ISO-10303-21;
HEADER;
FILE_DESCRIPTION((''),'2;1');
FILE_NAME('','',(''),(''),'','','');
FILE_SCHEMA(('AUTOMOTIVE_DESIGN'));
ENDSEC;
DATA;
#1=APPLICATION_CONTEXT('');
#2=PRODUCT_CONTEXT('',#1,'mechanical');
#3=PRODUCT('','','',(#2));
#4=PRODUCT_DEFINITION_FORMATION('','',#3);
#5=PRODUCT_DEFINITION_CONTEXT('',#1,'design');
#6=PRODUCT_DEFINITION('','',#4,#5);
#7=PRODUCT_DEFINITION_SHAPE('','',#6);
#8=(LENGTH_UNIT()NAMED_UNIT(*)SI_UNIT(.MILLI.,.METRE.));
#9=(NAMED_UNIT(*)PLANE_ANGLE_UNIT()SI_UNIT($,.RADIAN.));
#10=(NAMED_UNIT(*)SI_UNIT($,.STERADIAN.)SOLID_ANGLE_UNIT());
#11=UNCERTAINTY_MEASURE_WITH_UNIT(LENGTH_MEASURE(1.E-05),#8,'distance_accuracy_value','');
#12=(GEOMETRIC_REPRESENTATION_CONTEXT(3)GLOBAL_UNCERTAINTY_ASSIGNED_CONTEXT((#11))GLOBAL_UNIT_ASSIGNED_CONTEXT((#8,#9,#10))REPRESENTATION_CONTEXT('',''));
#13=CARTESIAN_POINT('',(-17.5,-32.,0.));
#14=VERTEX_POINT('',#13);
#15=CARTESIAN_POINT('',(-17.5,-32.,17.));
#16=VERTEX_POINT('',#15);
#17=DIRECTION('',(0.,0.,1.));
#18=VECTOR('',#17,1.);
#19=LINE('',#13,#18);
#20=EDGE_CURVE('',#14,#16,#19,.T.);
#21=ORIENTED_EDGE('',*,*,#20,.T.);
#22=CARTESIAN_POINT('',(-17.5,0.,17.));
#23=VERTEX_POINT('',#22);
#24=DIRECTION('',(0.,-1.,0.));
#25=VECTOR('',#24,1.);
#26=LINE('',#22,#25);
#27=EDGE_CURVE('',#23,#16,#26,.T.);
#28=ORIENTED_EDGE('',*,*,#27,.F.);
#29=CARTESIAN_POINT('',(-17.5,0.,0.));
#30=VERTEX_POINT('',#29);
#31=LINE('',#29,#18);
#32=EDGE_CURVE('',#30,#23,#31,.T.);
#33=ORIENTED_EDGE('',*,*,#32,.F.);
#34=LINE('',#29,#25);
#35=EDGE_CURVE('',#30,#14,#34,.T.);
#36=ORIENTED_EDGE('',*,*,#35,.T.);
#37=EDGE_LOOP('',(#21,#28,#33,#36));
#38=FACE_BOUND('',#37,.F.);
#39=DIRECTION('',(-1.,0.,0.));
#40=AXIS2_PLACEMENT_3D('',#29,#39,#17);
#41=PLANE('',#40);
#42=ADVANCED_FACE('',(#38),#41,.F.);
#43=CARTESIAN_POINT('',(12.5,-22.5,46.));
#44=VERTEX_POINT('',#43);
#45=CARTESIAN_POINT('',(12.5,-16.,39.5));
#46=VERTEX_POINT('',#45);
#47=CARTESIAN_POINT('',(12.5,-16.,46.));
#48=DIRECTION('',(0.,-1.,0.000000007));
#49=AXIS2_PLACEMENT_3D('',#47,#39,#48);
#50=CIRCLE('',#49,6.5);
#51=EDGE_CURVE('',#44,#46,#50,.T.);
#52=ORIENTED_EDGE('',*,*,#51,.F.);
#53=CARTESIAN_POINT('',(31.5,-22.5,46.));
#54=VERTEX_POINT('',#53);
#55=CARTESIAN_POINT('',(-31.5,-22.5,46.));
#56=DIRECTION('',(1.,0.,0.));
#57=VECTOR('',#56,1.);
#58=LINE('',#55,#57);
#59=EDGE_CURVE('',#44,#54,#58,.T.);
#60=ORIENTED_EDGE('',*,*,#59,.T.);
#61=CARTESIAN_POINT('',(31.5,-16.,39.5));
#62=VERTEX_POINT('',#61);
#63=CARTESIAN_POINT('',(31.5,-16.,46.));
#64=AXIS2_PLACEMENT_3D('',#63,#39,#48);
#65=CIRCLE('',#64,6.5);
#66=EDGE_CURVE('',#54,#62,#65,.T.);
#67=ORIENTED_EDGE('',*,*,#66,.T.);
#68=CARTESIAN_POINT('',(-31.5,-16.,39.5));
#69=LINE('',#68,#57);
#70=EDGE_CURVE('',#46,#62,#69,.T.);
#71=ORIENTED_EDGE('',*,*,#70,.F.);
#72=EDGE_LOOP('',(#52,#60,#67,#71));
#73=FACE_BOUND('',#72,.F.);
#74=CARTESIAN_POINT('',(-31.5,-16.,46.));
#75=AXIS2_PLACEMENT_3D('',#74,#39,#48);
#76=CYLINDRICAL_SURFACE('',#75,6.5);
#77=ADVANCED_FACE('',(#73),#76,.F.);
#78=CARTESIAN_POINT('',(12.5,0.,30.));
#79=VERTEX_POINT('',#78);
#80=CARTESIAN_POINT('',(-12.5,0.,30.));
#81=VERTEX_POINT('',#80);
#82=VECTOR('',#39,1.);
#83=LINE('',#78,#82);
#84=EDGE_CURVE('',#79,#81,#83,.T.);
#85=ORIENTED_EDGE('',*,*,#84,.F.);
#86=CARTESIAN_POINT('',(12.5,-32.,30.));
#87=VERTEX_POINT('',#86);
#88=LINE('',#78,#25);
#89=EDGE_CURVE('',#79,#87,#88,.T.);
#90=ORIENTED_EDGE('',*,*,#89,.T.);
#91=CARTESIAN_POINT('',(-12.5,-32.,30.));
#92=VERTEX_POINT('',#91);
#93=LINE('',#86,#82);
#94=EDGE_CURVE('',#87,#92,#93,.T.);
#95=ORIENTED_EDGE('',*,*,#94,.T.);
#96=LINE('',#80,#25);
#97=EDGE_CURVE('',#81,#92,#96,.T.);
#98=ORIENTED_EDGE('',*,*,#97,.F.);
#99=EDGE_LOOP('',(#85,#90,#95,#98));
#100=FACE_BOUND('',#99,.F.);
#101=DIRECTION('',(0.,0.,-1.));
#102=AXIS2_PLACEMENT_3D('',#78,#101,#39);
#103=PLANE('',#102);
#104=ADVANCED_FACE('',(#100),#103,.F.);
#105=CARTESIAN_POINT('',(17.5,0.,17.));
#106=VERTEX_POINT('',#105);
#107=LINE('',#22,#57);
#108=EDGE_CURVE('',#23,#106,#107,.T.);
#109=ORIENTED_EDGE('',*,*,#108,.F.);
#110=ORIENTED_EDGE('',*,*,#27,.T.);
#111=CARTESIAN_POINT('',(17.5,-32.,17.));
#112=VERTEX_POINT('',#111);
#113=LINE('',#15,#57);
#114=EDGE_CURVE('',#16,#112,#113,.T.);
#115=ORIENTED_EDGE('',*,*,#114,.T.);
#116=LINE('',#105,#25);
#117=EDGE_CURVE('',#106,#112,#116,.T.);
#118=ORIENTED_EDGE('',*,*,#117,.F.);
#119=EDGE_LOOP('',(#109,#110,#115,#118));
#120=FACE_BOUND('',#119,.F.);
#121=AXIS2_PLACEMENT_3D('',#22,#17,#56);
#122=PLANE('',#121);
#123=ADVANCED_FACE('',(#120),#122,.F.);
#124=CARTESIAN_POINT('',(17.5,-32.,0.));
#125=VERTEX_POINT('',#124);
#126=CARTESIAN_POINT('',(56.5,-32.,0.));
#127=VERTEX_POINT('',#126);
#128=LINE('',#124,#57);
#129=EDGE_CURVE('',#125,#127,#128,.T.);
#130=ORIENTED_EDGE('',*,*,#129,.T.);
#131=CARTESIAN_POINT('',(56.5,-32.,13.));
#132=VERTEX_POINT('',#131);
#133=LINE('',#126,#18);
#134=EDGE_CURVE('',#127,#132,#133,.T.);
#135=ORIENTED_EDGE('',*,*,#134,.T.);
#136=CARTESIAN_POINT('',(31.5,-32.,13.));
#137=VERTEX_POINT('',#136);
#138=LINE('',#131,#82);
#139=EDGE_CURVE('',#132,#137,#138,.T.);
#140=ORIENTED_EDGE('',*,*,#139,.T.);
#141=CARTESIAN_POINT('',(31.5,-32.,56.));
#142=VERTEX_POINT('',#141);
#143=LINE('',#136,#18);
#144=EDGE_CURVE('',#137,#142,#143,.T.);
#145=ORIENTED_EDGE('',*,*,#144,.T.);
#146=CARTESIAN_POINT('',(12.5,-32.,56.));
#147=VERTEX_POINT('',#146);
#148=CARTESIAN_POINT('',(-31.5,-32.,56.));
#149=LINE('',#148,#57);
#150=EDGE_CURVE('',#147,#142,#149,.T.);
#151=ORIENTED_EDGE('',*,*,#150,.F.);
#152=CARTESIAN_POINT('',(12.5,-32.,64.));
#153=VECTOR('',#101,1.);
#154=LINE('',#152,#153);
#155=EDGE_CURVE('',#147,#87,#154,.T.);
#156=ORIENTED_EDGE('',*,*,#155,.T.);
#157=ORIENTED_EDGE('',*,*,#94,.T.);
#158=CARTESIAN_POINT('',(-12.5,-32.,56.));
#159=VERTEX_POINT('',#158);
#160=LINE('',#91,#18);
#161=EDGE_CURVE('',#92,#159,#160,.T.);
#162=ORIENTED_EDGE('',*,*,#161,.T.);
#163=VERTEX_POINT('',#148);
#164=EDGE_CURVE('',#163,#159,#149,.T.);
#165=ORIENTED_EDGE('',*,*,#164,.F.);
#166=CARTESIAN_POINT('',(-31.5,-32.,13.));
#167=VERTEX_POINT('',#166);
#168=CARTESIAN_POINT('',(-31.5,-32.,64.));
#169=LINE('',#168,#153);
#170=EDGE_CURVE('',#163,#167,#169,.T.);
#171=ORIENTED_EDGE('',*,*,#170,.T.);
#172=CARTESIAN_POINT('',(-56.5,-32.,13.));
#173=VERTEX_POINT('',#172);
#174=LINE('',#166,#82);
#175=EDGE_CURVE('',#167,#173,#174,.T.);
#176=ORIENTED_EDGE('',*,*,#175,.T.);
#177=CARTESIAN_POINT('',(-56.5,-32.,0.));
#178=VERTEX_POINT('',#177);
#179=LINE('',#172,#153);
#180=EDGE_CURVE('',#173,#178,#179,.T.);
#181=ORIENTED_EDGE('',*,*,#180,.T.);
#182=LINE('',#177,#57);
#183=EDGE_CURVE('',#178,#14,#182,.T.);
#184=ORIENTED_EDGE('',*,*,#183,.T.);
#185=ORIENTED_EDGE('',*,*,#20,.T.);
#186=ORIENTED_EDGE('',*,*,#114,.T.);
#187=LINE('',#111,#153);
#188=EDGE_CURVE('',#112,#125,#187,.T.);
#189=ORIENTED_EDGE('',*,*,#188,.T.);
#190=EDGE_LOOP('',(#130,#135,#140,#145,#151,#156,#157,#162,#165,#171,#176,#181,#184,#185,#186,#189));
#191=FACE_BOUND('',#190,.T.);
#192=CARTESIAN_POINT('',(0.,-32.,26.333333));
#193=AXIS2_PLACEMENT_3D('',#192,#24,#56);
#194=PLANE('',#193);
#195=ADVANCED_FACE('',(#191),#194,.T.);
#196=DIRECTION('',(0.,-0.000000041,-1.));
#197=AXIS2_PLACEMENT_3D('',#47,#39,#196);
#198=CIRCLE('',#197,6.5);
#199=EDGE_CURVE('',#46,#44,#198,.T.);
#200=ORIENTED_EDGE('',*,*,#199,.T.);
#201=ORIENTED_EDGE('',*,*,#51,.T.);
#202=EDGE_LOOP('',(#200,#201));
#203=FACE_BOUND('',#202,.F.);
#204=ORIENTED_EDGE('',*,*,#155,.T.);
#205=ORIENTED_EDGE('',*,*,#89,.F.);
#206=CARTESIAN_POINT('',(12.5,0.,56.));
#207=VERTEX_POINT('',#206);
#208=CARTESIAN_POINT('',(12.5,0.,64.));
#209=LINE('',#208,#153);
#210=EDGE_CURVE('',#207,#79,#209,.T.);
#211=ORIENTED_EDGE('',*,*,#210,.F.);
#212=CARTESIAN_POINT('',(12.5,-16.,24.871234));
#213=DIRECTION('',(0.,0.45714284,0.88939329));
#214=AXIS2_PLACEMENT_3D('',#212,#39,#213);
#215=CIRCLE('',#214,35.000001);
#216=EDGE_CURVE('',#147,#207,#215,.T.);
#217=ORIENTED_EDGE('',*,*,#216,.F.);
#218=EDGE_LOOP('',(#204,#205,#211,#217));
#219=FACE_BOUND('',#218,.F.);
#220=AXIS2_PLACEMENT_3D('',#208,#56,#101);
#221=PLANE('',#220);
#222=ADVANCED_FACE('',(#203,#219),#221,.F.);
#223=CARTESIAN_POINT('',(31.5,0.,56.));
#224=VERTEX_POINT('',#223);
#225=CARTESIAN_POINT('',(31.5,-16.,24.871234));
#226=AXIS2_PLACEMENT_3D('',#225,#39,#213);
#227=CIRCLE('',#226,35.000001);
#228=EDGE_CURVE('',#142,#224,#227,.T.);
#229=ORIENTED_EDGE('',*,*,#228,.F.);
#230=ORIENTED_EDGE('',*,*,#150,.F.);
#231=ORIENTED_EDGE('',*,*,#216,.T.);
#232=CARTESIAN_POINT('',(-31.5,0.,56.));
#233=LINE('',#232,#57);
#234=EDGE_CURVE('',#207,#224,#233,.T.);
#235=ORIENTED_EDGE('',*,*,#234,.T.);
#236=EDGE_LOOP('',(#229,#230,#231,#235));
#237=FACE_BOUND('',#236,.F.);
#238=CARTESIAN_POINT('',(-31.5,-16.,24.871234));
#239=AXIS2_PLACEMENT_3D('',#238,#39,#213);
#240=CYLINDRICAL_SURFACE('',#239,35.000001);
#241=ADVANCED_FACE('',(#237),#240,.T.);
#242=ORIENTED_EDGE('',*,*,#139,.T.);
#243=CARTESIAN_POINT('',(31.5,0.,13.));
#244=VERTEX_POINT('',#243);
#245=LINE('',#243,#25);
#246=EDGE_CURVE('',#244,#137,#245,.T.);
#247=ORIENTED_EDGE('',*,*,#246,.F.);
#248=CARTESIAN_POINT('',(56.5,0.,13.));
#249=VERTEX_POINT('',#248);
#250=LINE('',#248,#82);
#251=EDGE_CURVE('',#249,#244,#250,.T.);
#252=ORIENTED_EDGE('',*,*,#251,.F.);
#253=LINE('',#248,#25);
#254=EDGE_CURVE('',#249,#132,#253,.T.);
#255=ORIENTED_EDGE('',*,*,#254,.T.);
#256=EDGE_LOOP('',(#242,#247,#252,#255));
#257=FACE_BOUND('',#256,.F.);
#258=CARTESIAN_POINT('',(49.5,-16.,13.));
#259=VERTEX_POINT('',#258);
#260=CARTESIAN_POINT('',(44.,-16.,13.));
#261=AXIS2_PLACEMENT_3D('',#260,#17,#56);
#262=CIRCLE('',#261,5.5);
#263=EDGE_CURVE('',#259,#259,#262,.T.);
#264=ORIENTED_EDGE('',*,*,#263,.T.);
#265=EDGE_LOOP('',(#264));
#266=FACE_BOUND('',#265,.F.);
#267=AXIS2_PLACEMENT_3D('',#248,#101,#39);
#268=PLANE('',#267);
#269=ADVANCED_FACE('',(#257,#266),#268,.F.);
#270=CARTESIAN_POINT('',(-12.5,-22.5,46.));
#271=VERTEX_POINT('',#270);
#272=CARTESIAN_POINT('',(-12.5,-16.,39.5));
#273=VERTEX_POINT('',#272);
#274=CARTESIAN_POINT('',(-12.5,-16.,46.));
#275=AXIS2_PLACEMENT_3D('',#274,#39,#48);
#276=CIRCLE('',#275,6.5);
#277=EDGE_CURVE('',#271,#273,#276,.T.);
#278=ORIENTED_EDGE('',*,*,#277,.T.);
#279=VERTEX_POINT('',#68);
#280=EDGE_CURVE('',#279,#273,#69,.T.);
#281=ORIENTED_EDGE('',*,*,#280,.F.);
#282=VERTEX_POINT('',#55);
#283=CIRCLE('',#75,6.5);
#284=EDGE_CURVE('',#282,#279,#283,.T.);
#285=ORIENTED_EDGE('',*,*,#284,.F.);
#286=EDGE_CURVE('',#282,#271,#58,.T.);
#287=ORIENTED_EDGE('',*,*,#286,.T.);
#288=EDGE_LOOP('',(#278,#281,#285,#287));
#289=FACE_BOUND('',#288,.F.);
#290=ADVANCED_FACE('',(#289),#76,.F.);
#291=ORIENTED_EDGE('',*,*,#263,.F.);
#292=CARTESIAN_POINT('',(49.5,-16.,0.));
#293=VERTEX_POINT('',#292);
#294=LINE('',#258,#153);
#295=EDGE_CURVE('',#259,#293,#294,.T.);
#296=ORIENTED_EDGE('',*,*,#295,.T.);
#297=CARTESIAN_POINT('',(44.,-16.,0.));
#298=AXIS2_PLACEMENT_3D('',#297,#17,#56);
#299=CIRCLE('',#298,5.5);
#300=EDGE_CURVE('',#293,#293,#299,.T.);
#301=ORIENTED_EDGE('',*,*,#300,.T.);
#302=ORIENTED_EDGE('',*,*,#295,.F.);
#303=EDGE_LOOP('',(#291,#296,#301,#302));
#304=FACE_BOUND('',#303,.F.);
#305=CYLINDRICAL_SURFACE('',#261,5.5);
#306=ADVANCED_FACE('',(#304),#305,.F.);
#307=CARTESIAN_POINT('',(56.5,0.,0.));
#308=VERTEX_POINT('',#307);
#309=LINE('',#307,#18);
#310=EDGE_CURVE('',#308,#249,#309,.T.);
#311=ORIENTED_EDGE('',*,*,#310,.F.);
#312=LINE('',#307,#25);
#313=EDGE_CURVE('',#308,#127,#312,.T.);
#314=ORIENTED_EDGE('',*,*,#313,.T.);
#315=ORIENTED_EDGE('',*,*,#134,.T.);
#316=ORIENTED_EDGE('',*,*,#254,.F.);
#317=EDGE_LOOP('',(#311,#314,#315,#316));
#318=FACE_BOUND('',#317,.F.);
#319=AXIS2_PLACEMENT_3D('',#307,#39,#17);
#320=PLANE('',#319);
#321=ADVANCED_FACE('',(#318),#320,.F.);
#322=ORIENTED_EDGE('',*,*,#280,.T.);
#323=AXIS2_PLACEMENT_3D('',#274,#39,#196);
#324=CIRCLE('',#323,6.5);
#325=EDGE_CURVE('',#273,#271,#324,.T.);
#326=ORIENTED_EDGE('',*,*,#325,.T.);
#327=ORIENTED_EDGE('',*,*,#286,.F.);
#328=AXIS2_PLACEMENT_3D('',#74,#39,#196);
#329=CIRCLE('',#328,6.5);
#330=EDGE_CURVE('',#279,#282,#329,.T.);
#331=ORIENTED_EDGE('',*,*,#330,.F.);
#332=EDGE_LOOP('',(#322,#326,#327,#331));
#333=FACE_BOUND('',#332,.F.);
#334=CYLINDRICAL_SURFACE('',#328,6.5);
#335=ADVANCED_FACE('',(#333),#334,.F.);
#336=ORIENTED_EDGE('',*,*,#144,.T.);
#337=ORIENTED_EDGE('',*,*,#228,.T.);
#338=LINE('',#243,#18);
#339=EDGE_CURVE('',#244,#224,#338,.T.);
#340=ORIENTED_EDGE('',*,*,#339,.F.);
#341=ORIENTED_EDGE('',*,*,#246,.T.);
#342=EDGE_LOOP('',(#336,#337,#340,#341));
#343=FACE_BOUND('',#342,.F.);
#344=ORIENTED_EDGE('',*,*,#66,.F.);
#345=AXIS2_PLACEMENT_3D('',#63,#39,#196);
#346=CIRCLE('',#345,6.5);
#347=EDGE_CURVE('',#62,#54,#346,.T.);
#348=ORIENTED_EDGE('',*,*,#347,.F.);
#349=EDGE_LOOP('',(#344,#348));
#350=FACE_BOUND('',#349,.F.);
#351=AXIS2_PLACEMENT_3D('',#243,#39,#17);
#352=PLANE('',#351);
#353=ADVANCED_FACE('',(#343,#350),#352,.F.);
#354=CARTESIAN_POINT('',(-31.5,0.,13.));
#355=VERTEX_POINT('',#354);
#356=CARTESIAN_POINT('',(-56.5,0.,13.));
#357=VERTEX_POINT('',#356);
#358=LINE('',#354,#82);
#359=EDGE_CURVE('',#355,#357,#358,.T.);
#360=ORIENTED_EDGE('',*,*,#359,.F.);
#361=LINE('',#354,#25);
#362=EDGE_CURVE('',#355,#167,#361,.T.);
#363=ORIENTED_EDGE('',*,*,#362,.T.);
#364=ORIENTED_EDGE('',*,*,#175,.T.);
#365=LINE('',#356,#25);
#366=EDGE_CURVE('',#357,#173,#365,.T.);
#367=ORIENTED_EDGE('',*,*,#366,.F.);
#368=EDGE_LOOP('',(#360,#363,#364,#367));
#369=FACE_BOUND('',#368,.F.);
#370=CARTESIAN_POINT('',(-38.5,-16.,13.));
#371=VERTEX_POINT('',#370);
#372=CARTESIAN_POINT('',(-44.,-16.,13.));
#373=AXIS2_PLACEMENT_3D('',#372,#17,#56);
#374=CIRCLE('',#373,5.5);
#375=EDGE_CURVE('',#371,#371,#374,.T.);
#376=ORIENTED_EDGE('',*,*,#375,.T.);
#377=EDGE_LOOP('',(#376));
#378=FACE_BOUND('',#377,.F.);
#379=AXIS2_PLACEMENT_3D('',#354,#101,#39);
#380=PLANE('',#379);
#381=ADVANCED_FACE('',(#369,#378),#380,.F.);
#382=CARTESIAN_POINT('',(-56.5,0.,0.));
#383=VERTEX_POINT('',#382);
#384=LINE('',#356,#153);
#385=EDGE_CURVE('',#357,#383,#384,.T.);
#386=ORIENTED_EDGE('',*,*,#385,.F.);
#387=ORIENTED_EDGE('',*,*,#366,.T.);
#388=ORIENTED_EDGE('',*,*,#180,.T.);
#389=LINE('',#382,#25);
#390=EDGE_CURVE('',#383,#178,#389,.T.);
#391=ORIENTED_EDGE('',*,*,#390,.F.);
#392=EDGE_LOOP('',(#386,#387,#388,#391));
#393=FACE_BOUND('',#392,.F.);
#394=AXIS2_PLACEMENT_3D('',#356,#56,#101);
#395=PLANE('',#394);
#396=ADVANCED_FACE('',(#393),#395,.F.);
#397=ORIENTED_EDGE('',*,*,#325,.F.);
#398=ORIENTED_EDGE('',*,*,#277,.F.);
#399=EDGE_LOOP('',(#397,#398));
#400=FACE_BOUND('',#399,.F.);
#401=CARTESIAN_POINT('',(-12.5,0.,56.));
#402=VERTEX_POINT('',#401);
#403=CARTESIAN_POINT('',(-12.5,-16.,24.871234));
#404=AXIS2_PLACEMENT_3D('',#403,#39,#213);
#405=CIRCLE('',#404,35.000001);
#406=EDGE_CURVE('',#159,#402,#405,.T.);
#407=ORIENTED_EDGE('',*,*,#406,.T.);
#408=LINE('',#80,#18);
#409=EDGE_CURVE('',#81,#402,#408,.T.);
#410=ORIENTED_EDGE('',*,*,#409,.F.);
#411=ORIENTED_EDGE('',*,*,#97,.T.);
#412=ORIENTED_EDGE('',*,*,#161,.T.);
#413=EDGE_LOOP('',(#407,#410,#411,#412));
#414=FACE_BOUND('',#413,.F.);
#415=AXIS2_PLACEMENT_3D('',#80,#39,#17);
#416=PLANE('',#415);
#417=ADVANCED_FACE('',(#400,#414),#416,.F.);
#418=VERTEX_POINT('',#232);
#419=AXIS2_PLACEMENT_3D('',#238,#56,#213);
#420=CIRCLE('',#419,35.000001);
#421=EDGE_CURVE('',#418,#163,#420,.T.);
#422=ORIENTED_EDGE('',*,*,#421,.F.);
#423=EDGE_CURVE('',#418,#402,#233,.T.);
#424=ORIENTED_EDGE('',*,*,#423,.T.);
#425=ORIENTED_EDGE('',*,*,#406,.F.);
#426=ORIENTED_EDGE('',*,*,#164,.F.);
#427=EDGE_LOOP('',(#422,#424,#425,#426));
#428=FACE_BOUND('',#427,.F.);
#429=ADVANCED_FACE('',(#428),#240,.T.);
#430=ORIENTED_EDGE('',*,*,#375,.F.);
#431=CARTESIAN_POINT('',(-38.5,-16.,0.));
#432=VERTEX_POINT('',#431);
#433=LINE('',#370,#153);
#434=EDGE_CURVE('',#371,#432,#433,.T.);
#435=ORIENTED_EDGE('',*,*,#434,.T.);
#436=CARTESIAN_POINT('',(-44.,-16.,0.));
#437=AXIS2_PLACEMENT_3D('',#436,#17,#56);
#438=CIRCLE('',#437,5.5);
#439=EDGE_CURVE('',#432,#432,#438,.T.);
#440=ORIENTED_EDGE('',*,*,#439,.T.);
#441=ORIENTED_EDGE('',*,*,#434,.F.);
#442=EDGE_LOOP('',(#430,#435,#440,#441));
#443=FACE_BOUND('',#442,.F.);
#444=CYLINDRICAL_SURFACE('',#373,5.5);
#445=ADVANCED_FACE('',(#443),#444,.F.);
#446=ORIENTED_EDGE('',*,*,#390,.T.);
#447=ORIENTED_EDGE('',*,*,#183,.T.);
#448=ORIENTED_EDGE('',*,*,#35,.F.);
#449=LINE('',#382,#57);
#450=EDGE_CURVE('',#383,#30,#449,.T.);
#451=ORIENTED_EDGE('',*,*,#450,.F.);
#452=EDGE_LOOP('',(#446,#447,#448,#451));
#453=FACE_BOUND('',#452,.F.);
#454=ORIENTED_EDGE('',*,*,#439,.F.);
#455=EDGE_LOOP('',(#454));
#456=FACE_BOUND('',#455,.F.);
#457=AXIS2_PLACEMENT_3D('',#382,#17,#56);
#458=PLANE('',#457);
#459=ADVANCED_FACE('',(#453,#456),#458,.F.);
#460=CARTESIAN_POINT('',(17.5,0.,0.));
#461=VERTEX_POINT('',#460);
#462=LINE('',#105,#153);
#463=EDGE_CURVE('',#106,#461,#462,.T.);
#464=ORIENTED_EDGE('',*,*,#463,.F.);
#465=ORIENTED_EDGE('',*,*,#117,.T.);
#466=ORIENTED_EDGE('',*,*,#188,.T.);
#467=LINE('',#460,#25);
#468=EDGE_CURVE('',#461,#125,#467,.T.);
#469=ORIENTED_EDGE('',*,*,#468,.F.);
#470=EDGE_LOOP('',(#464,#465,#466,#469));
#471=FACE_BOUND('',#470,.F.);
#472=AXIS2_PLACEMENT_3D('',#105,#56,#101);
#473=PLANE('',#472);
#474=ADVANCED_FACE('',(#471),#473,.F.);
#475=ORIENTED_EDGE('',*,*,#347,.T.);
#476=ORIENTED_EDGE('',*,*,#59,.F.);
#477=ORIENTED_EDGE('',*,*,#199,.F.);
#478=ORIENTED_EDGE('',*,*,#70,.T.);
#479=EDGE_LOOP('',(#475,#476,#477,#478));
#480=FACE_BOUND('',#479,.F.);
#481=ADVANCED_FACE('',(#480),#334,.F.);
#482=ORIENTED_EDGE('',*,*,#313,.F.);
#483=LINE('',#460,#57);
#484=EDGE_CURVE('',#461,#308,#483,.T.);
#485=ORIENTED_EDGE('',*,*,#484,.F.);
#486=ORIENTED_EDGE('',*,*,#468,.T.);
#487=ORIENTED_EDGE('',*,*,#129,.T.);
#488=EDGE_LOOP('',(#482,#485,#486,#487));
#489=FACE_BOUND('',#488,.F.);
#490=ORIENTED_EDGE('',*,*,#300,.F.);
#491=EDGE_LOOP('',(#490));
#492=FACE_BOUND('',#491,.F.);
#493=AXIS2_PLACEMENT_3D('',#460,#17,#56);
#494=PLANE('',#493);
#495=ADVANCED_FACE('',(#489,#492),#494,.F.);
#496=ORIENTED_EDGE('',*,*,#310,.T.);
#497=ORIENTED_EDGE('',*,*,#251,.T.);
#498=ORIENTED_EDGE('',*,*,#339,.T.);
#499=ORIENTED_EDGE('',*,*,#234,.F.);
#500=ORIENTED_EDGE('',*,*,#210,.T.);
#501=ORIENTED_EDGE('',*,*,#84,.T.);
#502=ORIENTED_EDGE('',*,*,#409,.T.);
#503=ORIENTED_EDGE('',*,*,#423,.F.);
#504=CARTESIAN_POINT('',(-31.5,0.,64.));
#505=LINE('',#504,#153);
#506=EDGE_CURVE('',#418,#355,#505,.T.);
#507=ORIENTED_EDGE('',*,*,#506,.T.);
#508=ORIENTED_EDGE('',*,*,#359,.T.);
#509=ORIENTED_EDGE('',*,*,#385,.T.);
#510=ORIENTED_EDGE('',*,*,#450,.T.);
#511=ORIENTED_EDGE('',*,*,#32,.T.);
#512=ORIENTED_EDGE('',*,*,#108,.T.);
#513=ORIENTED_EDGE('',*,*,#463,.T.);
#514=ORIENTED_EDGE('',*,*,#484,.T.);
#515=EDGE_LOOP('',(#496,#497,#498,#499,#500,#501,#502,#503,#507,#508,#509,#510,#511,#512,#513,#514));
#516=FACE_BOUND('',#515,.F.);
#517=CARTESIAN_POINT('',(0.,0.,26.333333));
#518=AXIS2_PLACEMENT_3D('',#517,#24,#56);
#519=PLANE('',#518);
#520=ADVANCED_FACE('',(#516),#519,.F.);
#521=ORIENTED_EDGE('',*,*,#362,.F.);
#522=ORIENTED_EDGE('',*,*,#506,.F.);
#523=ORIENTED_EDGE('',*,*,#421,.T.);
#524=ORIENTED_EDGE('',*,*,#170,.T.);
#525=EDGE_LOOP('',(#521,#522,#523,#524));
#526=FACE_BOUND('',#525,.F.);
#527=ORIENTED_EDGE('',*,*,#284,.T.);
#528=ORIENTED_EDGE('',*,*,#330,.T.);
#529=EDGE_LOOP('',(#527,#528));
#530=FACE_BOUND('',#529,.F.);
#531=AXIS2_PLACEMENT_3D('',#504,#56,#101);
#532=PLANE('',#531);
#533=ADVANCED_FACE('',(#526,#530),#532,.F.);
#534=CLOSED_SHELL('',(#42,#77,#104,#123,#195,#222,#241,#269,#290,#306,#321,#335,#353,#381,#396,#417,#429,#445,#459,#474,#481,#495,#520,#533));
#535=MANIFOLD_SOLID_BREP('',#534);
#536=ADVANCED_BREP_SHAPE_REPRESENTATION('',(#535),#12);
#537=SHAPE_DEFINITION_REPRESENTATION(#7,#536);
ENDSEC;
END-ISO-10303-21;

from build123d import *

# Parameters (mm, degrees)
F1_DEPTH = 32
F2_R     = 5.5
F4_DEPTH = 13.001
F3_R     = 5.5
F5_DEPTH = 13.001
F7_DEPTH = 88.001
F9_DEPTH = 88.001


with BuildPart() as f1:
    # F0 (on Front) → F1 (new body)
    with BuildSketch(Plane.XZ):
        Polygon((17.5, 0), (56.5, 0), (56.5, 13), (31.5, 13), (31.5, 64), (12.5, 64), (12.5, 30), (-12.5, 30), (-12.5, 64), (-31.5, 64), (-31.5, 13), (-56.5, 13), (-56.5, 0), (-17.5, 0), (-17.5, 17), (17.5, 17), align=None)
    extrude(amount=F1_DEPTH)

    # F2 (on face) → F4 (cut, through all)
    with BuildSketch(Plane.XY.offset(13)):
        with Locations((-44, -16)):
            Circle(F2_R)
    extrude(amount=-F4_DEPTH, mode=Mode.SUBTRACT)

    # F3 (on face) → F5 (cut, through all)
    with BuildSketch(Plane.XY.offset(13)):
        with Locations((44, -16)):
            Circle(F3_R)
    extrude(amount=-F5_DEPTH, mode=Mode.SUBTRACT)

    # F6 (on face) → F7 (cut, through all)
    with BuildSketch(Plane(origin=(-31.5, 0, 0), x_dir=(0, -1, 0), z_dir=(-1, 0, 0))):
        with BuildLine():
            ThreePointArc((22.5, 46), (11.403806, 50.596194), (16, 39.5))
            ThreePointArc((16, 39.5), (20.596194, 41.403806), (22.5, 46))
        make_face()
    extrude(amount=-F7_DEPTH, mode=Mode.SUBTRACT)

    # F8 (on face) → F9 (cut, through all)
    with BuildSketch(Plane(origin=(-31.5, 0, 0), x_dir=(0, -1, 0), z_dir=(-1, 0, 0))):
        with BuildLine():
            ThreePointArc((0, 56), (16, 59.871235), (32, 56))
            Line((32, 56), (32, 64))
            Line((32, 64), (0, 64))
            Line((0, 64), (0, 56))
        make_face()
    extrude(amount=-F9_DEPTH, mode=Mode.SUBTRACT)


solid = f1.part
